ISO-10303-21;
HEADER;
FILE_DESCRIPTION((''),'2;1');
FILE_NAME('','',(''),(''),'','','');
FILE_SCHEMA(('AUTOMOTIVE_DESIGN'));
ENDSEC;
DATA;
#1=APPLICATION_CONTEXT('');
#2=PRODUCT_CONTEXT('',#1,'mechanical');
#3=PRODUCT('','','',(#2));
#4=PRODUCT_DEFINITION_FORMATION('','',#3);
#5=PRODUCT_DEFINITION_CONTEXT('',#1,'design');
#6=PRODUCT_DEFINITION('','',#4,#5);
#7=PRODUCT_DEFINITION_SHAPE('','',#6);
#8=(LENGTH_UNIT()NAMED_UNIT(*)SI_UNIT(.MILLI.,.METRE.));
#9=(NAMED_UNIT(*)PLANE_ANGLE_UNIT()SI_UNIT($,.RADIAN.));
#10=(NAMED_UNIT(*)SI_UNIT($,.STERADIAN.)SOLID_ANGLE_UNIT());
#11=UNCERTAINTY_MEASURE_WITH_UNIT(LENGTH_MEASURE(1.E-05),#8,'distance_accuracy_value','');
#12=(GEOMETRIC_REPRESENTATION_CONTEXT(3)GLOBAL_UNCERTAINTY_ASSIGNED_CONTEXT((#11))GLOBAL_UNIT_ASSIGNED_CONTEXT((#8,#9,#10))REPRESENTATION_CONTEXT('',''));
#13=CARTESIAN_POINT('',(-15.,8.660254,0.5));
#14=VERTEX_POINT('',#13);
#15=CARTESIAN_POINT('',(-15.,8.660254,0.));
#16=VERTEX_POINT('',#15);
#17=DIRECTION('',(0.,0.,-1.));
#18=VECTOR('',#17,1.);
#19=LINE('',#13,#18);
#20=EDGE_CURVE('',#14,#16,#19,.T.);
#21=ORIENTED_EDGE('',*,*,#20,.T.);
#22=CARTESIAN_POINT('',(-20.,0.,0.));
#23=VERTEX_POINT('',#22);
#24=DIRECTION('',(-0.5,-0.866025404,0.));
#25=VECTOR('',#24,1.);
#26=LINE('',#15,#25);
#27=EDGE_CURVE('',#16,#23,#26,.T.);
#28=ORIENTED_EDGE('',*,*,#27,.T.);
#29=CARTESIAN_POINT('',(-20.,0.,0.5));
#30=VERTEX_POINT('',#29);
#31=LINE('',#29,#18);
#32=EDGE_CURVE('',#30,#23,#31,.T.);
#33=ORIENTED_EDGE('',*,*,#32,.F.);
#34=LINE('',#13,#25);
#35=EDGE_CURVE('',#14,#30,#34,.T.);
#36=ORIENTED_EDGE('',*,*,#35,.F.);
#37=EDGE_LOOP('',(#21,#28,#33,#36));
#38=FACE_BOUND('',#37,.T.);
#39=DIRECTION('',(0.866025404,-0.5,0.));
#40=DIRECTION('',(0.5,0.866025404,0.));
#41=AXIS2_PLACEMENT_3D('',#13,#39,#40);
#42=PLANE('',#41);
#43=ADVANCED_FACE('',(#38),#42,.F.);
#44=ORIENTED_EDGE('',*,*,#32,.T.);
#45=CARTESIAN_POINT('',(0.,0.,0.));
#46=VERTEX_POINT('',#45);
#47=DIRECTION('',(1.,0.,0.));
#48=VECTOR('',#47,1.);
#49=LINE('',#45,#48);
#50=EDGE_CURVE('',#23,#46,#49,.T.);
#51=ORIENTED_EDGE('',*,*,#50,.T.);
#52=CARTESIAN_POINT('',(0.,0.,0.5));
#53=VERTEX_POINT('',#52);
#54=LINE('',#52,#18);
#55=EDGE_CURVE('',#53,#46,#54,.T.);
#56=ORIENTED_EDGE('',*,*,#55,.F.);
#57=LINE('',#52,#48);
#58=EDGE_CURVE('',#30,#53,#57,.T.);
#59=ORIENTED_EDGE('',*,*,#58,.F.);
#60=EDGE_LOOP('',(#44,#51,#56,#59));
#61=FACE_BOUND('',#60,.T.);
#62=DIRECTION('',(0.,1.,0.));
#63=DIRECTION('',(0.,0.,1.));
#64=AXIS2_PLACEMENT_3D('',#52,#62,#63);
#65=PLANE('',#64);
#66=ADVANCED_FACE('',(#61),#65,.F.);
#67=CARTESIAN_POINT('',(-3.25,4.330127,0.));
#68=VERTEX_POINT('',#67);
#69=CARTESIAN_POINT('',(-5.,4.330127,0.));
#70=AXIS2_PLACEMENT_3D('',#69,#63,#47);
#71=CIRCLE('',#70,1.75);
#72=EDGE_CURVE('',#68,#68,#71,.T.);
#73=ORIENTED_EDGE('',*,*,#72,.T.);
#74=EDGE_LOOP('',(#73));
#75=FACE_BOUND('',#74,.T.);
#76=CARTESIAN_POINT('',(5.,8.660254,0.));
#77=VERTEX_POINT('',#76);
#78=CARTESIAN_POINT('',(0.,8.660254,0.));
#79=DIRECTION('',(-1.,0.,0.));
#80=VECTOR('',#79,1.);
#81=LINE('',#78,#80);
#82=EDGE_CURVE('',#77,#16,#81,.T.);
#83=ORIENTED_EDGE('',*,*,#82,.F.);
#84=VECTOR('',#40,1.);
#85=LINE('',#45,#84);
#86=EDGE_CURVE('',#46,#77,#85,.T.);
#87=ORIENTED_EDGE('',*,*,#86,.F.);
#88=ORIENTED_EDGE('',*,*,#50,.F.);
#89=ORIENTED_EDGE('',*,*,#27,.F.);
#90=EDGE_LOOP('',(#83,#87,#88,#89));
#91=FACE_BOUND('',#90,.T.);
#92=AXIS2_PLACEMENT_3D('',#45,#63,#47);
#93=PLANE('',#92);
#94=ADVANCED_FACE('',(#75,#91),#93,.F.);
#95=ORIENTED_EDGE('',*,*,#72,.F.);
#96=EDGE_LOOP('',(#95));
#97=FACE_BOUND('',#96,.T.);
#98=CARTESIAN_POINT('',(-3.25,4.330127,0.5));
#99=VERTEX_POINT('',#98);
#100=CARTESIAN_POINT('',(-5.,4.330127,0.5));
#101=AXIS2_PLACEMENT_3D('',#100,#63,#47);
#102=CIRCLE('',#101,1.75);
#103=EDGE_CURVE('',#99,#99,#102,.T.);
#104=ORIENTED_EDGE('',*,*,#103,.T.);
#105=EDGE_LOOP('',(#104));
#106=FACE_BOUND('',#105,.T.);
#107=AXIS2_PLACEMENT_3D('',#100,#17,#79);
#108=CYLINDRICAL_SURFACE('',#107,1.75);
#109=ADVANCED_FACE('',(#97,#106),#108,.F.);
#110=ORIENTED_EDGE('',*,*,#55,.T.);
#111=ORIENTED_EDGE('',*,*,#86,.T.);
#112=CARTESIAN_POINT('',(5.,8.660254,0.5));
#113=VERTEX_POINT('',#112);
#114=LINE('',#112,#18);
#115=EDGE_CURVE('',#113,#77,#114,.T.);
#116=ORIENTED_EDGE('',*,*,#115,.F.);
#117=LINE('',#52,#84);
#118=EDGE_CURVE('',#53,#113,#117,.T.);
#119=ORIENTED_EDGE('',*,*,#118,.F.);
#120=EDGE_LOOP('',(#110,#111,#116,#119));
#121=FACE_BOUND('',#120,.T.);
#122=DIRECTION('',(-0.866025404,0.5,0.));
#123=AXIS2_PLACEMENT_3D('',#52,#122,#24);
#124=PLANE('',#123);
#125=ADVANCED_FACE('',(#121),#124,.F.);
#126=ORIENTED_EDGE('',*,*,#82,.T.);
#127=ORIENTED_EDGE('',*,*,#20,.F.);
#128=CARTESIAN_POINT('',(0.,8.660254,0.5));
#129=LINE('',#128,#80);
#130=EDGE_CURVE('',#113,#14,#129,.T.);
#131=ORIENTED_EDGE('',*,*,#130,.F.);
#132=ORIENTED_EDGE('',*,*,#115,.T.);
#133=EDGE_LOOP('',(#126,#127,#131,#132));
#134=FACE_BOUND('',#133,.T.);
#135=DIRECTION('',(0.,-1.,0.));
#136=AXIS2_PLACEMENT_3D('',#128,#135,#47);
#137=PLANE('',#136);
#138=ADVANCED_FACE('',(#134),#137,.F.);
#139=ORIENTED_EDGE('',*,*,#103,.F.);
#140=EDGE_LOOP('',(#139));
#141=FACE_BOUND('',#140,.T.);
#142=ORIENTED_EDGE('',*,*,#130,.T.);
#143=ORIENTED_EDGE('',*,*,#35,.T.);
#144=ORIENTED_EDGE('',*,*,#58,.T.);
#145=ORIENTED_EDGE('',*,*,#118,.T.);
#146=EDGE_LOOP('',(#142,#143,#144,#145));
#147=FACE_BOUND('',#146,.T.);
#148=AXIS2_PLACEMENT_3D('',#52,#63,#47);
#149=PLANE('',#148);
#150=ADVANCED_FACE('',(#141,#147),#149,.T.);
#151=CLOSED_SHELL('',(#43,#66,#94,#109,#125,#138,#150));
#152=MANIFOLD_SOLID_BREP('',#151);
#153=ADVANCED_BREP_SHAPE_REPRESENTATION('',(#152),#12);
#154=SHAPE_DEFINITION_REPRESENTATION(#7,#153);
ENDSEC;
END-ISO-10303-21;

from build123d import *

# Parameters (mm, degrees)
SKETCH_3_R      = 1.75
EXTRUDE_1_DEPTH = 0.5


with BuildPart() as part:
    # 草图3 → 凸台-拉伸1 (new body)
    with BuildSketch(Plane.XY):
        Polygon((0, 0), (5, 8.660254038), (-15, 8.660254038), (-20, 0), align=None)
        with Locations((-5, 4.330127019)):
            Circle(SKETCH_3_R, mode=Mode.SUBTRACT)
    extrude(amount=EXTRUDE_1_DEPTH)


solid = part.part
